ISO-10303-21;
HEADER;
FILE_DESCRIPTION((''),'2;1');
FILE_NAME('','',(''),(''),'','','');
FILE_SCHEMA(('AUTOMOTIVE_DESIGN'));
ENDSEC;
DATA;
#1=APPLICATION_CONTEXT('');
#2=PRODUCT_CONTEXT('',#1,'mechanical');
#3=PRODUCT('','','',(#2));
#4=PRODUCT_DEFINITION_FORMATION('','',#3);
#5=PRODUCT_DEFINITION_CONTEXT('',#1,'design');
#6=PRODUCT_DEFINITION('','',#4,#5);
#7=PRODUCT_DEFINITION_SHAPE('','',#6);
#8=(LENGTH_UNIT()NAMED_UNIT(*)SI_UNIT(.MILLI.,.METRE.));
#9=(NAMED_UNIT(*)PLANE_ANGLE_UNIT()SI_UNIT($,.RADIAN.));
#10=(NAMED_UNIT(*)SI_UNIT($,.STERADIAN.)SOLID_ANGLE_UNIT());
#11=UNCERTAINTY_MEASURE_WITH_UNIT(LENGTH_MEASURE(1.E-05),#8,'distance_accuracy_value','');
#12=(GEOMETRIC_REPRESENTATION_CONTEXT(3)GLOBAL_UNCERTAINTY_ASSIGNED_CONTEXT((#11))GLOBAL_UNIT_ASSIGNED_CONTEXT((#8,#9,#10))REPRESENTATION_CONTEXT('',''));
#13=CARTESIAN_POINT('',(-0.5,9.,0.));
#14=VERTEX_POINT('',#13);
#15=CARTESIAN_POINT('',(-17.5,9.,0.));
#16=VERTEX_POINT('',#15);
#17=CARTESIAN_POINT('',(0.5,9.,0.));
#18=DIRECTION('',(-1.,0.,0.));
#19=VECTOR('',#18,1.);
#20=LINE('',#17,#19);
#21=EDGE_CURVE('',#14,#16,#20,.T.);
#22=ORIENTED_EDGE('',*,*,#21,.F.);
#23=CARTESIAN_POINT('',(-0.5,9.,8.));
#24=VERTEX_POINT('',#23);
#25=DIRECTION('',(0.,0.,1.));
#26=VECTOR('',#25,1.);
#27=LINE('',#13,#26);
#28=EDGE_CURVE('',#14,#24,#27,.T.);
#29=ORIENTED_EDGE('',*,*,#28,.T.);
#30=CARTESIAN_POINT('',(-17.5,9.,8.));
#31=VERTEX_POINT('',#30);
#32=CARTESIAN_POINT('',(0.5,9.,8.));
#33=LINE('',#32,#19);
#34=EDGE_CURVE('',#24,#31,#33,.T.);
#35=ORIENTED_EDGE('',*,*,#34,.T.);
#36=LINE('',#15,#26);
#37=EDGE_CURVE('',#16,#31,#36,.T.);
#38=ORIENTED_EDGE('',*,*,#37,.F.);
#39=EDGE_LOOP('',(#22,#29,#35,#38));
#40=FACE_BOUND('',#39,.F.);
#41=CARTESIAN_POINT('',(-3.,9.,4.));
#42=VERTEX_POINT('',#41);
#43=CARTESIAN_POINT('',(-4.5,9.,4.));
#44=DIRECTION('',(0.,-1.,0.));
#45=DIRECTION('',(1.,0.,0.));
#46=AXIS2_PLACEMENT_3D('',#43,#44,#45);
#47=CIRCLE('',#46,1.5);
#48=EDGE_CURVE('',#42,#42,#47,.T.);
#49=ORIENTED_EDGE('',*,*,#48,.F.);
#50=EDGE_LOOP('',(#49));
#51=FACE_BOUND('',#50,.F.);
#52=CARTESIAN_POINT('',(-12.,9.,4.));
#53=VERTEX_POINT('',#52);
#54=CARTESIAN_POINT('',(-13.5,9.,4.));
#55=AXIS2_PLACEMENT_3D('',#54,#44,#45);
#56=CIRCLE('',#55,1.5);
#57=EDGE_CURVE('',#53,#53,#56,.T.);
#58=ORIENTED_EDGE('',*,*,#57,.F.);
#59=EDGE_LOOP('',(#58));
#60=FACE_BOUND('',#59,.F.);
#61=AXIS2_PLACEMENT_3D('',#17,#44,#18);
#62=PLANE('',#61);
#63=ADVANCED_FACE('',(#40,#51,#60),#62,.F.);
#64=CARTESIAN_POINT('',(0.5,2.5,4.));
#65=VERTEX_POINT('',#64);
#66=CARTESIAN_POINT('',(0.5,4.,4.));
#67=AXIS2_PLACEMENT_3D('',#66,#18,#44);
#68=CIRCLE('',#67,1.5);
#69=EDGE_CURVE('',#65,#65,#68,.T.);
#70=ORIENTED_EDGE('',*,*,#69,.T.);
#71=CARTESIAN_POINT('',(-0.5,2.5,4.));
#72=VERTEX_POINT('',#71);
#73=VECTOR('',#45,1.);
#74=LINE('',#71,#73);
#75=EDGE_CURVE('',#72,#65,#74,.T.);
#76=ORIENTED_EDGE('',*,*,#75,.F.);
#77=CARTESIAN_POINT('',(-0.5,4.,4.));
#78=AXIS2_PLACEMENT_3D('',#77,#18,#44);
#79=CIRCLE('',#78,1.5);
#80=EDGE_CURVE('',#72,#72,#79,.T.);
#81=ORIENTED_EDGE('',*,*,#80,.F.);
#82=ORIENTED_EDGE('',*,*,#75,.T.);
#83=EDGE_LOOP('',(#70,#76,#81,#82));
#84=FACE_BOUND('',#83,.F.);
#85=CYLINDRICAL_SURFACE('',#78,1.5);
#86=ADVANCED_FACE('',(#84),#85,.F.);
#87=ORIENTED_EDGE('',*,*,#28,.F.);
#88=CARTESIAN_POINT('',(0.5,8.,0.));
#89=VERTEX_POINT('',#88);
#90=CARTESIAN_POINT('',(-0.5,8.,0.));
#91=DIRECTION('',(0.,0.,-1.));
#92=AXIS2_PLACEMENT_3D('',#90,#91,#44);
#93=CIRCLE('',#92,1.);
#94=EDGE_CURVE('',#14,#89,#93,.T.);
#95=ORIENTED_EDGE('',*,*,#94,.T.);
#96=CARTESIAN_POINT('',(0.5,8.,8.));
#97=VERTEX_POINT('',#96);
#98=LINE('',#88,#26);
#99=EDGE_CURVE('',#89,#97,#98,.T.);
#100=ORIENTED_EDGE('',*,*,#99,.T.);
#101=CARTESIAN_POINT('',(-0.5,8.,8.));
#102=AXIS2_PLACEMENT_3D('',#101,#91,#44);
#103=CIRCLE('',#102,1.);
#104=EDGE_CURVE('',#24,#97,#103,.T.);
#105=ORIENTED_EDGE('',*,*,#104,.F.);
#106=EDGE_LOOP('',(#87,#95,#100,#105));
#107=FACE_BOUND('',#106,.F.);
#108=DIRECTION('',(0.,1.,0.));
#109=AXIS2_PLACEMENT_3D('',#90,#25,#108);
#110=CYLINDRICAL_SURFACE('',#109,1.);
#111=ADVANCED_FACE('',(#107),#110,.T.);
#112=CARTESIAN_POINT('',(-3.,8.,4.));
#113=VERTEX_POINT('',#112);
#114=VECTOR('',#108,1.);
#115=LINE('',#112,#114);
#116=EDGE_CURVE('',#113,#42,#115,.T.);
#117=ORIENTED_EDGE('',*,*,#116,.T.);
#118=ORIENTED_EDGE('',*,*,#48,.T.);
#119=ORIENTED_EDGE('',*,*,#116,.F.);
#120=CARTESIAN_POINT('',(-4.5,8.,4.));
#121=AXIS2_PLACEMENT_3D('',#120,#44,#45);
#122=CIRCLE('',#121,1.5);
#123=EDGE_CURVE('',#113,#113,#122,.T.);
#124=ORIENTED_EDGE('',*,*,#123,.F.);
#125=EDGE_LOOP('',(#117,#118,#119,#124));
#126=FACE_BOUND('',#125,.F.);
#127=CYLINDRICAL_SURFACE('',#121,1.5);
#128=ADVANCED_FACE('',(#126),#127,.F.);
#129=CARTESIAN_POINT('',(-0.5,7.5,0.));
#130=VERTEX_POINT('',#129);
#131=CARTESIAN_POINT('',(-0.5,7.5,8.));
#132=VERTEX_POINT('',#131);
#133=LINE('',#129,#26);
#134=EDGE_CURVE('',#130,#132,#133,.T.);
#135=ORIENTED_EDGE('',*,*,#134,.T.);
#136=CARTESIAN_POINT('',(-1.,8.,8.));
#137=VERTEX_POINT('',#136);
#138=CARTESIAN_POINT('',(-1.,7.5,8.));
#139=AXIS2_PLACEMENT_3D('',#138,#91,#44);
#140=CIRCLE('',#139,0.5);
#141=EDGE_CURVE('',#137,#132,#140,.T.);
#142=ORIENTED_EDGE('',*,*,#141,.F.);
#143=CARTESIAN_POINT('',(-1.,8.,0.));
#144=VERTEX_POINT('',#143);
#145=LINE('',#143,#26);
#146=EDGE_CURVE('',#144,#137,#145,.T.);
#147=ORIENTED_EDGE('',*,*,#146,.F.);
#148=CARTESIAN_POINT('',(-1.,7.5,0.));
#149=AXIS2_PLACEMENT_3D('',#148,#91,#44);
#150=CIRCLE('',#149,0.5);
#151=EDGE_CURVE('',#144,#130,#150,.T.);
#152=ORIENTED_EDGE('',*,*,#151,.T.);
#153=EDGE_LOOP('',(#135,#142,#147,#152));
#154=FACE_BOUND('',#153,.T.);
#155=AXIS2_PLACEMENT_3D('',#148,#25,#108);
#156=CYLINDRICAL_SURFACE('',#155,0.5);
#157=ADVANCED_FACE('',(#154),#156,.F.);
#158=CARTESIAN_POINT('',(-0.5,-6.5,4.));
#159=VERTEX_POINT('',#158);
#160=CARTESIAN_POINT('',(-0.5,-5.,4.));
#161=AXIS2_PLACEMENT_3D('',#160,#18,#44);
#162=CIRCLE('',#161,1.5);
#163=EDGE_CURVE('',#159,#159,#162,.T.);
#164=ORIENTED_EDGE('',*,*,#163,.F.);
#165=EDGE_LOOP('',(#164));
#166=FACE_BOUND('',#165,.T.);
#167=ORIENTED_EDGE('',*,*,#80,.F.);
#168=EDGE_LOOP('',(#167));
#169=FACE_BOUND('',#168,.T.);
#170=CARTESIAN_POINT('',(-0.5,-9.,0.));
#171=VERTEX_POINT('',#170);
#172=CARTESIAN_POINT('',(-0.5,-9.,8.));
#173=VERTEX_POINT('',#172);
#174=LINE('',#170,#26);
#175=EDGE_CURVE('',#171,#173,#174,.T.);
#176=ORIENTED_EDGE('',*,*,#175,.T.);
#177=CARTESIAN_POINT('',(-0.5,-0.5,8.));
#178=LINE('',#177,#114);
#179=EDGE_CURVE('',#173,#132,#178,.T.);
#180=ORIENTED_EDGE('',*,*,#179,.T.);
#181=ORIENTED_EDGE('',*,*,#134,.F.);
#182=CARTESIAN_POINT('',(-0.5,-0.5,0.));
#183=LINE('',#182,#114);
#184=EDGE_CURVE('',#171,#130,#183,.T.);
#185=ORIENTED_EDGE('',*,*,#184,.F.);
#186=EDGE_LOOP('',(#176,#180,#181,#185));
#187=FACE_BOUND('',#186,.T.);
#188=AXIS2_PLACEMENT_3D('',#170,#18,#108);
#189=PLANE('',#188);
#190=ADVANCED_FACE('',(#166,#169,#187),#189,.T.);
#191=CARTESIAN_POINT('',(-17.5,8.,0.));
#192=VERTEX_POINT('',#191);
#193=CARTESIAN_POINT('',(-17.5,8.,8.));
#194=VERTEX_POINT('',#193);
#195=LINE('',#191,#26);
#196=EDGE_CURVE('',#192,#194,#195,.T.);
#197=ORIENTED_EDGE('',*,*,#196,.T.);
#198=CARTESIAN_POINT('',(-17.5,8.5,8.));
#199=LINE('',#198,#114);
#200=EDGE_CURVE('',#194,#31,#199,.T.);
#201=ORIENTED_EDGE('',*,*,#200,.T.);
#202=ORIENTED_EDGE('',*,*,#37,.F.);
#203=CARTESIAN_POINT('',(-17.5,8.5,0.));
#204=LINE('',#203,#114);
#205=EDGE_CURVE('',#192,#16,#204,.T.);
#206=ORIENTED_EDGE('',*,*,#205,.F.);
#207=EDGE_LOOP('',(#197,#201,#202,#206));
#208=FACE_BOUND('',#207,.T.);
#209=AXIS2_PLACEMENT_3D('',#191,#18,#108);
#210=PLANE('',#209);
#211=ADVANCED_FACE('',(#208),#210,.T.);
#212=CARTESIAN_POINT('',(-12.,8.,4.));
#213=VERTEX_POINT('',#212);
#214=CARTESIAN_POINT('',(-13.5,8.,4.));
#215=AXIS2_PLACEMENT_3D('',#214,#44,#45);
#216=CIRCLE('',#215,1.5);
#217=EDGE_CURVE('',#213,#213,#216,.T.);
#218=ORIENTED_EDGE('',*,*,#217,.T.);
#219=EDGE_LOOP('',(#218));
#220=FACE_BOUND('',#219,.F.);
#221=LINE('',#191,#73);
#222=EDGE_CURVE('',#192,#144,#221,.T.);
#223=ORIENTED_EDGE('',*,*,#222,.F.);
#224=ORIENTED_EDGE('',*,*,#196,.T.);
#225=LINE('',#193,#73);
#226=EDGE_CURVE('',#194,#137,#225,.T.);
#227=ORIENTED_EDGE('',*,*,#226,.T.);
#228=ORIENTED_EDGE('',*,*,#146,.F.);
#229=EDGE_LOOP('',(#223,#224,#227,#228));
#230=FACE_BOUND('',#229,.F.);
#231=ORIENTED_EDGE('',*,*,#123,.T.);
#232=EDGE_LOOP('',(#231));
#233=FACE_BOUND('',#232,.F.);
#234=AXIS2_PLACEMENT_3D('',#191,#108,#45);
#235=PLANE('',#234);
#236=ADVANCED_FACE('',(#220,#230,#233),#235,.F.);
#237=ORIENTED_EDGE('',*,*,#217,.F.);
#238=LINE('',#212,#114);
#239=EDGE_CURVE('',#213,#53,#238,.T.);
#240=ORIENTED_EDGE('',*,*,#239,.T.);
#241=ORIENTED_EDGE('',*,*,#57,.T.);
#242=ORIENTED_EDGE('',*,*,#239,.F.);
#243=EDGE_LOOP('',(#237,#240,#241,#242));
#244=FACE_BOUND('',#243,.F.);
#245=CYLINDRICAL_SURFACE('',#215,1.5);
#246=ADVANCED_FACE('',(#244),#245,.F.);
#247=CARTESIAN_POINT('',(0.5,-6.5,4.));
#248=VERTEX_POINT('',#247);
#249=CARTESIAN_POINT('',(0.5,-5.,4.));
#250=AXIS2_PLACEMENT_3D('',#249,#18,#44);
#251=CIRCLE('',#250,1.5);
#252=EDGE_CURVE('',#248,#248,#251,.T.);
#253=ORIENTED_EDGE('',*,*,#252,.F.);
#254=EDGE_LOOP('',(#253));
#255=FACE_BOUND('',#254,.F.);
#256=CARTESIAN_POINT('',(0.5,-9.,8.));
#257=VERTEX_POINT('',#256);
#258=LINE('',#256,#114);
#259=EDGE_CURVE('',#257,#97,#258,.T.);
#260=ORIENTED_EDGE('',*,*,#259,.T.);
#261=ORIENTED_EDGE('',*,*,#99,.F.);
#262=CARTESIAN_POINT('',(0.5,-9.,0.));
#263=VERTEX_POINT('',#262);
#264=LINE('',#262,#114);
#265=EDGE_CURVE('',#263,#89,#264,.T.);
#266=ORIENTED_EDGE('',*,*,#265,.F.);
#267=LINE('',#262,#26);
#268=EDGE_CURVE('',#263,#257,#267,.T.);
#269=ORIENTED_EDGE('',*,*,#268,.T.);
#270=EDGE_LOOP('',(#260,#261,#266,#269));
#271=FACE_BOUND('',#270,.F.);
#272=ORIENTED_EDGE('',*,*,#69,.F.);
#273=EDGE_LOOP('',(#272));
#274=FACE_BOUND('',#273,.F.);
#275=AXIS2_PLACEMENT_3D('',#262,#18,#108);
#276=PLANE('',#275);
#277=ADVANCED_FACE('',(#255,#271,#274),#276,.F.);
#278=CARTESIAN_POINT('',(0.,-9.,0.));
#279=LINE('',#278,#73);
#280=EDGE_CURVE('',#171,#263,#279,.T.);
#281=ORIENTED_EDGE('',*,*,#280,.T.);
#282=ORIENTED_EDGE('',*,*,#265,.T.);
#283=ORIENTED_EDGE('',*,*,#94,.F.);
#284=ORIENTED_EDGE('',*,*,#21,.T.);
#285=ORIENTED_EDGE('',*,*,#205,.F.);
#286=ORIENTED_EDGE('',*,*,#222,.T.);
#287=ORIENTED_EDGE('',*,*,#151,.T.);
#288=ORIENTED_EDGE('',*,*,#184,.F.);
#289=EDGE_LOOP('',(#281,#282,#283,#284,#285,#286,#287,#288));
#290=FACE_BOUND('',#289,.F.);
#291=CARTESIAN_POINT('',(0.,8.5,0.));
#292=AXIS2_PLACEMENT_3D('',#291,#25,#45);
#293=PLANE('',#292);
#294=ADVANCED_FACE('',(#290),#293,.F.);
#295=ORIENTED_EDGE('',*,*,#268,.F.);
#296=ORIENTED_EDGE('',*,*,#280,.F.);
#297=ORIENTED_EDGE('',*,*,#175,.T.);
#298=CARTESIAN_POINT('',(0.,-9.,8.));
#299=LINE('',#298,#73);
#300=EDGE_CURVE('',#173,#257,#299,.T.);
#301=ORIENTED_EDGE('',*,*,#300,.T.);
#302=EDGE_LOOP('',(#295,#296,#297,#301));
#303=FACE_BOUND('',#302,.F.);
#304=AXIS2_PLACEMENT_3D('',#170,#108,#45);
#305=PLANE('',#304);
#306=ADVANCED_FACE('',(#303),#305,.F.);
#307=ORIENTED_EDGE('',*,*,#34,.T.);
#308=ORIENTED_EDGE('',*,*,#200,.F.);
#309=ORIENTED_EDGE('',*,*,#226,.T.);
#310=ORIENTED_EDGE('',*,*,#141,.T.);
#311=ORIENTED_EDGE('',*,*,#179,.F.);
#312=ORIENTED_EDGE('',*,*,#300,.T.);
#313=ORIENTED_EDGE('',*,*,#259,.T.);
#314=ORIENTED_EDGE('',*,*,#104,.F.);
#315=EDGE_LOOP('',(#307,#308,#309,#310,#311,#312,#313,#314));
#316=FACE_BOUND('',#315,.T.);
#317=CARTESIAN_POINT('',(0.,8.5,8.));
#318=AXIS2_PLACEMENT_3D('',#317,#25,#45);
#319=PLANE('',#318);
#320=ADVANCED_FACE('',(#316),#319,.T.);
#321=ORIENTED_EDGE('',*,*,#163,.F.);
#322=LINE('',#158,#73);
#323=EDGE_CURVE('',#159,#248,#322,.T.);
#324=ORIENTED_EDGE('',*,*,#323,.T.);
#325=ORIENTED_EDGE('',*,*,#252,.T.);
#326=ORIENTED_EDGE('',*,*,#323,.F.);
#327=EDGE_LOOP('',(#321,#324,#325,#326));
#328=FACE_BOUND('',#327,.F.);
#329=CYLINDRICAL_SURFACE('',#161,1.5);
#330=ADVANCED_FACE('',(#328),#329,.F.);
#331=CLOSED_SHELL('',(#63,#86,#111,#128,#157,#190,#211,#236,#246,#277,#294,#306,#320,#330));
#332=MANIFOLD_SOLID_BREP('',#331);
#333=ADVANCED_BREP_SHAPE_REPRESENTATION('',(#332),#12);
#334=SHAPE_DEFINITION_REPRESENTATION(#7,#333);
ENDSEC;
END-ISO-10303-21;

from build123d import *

# Parameters (mm, degrees)
F0_W     = 1
F0_H     = 1
F0_W_2   = 17
F0_H_2   = 17
F1_DEPTH = 8
F3_R     = 1.5
F4_DEPTH = 25
F2_R     = 1.5
F5_DEPTH = 25
F6_R     = 1
F7_R     = 0.5


with BuildPart() as f1:
    # F0 (on Top) → F1 (new body)
    with BuildSketch(Plane.XY):
        with Locations((0, 8.5)):
            Rectangle(F0_W, F0_H)
        with Locations((-9, 8.5)):
            Rectangle(F0_W_2, F0_H)
        with Locations((0, -0.5)):
            Rectangle(F0_W, F0_H_2)
    extrude(amount=F1_DEPTH)

    # F3 (on face) → F4 (cut)
    with BuildSketch(Plane.XZ.offset(-8)):
        with BuildLine():
            ThreePointArc((-15, 4), (-13.5, 2.5), (-12, 4))
            ThreePointArc((-12, 4), (-13.5, 5.5), (-15, 4))
        make_face()
        with Locations((-4.5, 4)):
            Circle(F3_R)
    extrude(amount=-F4_DEPTH, mode=Mode.SUBTRACT)

    # F2 (on face) → F5 (cut)
    with BuildSketch(Plane(origin=(-0.5, 0, 0), x_dir=(0, -1, 0), z_dir=(-1, 0, 0))):
        with Locations((5, 4)):
            Circle(F2_R)
        with Locations((-4, 4)):
            Circle(F2_R)
    extrude(amount=-F5_DEPTH, mode=Mode.SUBTRACT)

    # F6
    f6_edges = [f1.edges().sort_by_distance(p)[0] for p in [
        (0.5, 9, 4),
    ]]
    fillet(f6_edges, radius=F6_R)

    # F7
    f7_edges = [f1.edges().sort_by_distance(p)[0] for p in [
        (-0.5, 8, 4),
    ]]
    fillet(f7_edges, radius=F7_R)


solid = f1.part
